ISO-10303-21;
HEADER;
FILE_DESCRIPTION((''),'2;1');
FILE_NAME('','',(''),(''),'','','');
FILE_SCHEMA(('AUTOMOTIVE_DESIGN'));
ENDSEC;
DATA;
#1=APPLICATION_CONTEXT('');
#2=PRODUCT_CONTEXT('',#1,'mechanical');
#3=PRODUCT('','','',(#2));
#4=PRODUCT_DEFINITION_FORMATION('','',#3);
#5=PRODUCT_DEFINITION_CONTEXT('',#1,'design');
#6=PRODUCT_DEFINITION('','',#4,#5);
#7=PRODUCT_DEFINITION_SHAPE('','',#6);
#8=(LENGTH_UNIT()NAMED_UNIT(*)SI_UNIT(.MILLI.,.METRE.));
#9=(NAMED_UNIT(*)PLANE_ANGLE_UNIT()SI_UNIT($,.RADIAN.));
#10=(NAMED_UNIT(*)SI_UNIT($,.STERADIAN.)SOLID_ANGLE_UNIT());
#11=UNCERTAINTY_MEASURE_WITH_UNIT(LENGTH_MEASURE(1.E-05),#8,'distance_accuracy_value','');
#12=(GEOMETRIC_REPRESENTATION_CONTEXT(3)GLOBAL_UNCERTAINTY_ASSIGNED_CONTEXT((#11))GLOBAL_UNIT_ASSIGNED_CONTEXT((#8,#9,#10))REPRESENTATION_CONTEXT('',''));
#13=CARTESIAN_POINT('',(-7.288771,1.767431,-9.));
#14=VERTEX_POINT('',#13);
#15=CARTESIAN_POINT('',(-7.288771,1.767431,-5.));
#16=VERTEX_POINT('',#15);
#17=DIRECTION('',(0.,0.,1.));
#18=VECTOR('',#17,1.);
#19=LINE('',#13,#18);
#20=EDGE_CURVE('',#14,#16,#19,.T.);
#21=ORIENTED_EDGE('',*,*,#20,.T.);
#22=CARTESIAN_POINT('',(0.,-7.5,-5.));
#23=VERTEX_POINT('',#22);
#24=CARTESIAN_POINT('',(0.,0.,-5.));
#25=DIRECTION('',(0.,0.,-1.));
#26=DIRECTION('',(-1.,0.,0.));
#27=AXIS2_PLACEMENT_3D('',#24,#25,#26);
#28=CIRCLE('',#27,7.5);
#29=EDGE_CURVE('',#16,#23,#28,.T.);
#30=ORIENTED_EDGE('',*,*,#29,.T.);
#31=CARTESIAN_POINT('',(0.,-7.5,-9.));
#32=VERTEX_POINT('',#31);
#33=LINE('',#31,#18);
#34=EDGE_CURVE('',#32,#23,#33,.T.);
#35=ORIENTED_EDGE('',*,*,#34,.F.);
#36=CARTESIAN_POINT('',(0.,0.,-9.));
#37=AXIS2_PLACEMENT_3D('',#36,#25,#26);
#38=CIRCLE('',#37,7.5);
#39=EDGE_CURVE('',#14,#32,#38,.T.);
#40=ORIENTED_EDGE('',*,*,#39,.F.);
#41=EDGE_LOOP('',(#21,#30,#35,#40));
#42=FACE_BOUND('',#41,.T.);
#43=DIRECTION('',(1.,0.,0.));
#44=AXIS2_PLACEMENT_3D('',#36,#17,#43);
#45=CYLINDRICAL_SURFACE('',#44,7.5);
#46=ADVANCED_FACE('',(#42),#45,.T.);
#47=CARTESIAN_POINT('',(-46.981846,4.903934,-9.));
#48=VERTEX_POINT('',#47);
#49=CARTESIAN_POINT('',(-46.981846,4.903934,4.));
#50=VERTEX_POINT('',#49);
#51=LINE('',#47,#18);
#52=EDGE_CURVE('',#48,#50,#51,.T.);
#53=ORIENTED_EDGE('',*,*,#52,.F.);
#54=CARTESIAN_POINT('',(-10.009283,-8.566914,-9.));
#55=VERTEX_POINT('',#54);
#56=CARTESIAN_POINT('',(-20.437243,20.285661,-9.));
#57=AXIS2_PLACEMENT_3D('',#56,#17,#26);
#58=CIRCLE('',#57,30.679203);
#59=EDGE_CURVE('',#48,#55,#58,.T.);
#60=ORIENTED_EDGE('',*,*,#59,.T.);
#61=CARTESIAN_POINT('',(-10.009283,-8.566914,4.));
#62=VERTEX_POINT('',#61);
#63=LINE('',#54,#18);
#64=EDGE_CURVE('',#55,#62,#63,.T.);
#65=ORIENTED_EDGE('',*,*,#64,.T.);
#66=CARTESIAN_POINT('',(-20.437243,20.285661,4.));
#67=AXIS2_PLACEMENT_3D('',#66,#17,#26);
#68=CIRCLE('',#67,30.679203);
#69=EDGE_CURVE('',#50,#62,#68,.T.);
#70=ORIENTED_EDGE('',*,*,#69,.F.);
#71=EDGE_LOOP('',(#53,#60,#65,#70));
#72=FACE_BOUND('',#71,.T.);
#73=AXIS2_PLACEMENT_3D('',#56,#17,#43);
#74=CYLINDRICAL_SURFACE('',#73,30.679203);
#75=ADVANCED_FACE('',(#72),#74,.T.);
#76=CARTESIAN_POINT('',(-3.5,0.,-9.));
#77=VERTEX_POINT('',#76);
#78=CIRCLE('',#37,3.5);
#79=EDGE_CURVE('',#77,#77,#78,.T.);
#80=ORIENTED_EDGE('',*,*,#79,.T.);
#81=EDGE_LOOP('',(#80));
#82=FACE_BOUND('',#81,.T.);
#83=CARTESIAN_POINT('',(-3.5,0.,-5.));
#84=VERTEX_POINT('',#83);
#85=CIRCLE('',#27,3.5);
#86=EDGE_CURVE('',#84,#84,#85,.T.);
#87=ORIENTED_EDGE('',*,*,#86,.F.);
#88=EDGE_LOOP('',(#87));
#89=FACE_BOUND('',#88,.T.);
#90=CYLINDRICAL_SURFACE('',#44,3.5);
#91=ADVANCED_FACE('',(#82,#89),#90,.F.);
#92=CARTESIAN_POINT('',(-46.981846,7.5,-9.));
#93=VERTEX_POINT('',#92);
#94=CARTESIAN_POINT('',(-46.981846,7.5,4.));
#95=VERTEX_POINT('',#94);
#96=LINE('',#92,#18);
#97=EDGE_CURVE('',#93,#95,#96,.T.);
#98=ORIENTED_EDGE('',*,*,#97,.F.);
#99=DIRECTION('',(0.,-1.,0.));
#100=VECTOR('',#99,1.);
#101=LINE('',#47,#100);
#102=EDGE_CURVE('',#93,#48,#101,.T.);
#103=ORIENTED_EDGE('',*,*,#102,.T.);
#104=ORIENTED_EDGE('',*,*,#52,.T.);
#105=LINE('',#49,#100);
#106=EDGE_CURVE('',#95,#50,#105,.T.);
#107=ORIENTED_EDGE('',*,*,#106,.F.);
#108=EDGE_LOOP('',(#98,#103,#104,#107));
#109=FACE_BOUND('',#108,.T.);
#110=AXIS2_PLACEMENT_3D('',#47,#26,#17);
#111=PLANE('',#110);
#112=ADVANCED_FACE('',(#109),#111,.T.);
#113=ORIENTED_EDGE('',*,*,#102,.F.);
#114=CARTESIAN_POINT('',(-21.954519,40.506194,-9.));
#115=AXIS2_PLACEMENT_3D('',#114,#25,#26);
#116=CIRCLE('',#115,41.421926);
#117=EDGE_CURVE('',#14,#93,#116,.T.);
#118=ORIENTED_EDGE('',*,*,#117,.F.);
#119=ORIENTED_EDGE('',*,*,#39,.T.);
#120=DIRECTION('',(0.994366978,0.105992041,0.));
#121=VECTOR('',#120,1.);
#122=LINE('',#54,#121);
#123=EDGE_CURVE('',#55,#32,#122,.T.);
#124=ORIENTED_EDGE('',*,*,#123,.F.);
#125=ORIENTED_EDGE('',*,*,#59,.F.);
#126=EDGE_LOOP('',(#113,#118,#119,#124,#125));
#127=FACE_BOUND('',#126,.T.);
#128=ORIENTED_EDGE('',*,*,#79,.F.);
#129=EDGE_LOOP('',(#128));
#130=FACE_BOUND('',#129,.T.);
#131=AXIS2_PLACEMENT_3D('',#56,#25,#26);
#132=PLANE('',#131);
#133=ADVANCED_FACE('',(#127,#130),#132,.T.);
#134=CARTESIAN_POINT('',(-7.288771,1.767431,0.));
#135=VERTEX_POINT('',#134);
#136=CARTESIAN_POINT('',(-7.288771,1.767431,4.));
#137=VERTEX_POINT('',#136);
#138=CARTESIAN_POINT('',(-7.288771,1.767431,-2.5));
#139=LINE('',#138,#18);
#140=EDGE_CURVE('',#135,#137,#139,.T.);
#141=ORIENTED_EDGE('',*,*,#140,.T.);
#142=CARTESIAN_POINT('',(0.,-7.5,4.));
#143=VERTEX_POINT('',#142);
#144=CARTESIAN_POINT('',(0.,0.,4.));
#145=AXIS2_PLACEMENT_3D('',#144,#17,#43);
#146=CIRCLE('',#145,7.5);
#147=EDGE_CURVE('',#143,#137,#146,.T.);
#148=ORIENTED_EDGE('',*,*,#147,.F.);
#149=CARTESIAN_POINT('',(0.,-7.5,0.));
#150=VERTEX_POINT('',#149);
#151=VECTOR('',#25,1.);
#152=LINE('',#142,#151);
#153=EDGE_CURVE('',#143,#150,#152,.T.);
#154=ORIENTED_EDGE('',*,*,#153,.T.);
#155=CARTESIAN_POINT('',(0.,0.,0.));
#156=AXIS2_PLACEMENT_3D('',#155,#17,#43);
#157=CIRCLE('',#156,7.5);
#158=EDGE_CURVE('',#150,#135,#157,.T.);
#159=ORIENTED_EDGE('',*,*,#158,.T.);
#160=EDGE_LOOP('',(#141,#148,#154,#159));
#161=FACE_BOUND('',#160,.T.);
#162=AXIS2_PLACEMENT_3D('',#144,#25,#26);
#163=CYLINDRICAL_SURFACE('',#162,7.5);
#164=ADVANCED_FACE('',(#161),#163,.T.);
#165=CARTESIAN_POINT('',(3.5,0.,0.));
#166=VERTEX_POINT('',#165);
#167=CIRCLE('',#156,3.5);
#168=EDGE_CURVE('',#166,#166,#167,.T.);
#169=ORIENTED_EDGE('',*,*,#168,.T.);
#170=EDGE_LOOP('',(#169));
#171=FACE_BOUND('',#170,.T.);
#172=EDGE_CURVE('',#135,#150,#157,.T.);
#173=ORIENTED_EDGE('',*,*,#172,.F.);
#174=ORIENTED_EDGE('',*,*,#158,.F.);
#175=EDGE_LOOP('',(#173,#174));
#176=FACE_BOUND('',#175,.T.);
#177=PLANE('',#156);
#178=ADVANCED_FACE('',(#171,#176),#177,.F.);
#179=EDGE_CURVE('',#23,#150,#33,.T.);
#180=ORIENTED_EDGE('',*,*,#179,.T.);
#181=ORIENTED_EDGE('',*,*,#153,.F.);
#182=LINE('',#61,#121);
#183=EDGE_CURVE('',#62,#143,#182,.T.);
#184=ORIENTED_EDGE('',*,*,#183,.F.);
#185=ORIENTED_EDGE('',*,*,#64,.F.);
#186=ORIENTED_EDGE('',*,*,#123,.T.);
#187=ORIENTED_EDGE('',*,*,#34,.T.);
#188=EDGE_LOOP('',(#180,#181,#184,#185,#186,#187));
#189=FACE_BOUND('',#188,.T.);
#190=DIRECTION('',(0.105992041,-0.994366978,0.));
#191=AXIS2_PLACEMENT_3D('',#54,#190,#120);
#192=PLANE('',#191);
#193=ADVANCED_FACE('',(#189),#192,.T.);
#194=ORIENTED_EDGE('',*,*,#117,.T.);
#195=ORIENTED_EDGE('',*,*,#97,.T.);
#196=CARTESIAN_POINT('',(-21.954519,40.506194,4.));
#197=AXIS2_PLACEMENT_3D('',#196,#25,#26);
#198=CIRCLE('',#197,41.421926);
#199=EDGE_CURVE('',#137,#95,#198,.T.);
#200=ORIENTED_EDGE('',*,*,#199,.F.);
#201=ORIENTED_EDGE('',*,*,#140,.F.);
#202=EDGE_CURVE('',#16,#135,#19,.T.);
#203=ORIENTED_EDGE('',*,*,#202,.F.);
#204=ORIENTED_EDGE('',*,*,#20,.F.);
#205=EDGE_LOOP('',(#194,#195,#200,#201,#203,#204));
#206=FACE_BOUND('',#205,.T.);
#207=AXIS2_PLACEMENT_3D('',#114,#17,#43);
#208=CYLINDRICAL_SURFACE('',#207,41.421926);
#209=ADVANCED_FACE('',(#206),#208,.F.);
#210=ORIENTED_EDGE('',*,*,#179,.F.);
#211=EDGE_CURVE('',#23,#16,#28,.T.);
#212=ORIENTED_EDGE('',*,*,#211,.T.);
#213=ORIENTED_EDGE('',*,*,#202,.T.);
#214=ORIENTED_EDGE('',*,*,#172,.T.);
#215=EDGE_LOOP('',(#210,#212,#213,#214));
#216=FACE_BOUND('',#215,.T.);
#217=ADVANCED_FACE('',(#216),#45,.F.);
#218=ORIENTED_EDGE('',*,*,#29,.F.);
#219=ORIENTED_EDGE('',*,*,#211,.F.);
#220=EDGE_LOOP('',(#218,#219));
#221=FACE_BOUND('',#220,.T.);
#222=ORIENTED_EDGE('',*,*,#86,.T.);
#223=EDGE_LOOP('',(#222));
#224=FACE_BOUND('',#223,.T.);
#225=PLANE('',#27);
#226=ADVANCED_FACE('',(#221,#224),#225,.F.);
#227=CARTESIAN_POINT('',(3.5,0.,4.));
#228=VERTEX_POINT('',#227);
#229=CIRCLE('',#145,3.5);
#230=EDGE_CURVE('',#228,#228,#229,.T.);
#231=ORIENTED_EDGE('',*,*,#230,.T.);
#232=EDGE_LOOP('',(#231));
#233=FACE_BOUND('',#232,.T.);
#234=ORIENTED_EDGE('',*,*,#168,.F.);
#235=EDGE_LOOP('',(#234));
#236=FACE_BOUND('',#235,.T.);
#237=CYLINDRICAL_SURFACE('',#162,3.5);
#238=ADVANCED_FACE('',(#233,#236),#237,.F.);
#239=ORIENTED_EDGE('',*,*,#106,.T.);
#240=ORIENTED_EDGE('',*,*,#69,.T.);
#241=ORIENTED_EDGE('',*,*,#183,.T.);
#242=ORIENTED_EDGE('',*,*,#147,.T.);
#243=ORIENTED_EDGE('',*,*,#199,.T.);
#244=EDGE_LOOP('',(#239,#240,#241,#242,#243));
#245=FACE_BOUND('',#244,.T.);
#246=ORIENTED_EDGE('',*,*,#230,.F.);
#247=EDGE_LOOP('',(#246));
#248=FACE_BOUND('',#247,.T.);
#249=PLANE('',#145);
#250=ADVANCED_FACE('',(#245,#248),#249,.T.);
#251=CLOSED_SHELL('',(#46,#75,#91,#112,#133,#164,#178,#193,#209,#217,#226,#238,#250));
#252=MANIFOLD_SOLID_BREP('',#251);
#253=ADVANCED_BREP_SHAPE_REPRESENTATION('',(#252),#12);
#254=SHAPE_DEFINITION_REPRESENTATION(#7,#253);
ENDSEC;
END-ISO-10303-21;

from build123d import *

# Parameters (mm, degrees)
CROQUIS1_R              = 7.5
CROQUIS1_R_2            = 3.5
SALIENTE_EXTRUIR1_DEPTH = 4
CROQUIS2_R              = 2.193779366
SALIENTE_EXTRUIR2_DEPTH = 5
CROQUIS3_R              = 7.5
CROQUIS3_R_2            = 3.5
SALIENTE_EXTRUIR3_DEPTH = 4
CROQUIS4_R              = 2.193779366
CORTAR_EXTRUIR1_DEPTH   = 14
SALIENTE_EXTRUIR4_DEPTH = 13


with BuildPart() as part:
    # Croquis1 → Saliente-Extruir1 (new body)
    with BuildSketch(Plane.XY):
        Circle(CROQUIS1_R)
        Circle(CROQUIS1_R_2, mode=Mode.SUBTRACT)
    extrude(amount=SALIENTE_EXTRUIR1_DEPTH)



with BuildPart() as body_2:
    # Croquis2 → Saliente-Extruir2 (new body)
    with BuildSketch(Plane(origin=(0, 0, 0), x_dir=(-1, 0, 0), z_dir=(0, 0, -1))):
        Circle(CROQUIS2_R)
    extrude(amount=SALIENTE_EXTRUIR2_DEPTH)

    # Croquis4 → Cortar-Extruir1 (cut)
    with BuildSketch(Plane(origin=(0, 0, -5), x_dir=(-1, 0, 0), z_dir=(0, 0, -1))):
        Circle(CROQUIS4_R)
    extrude(amount=-CORTAR_EXTRUIR1_DEPTH, mode=Mode.SUBTRACT)


with BuildPart() as body_3:
    # Croquis3 → Saliente-Extruir3 (new body)
    with BuildSketch(Plane(origin=(0, 0, -5), x_dir=(-1, 0, 0), z_dir=(0, 0, -1))):
        Circle(CROQUIS3_R)
        Circle(CROQUIS3_R_2, mode=Mode.SUBTRACT)
    extrude(amount=SALIENTE_EXTRUIR3_DEPTH)


with BuildPart() as part_1:
    add(part.part)

    add(body_3.part)  # Saliente-Extruir4 merges body 3
    # Croquis5 → Saliente-Extruir4 (add)
    with BuildSketch(Plane.XY.offset(4)):
        with BuildLine():
            Line((-10.009282788, -8.566914266), (0, -7.5))
            ThreePointArc((0, -7.5), (-5.895156044, -4.636500319), (-7.288771435, 1.76743061))
            ThreePointArc((-7.288771435, 1.76743061), (-27.875344012, -0.49038836), (-46.981845806, 7.5))
            Line((-46.981845806, 7.5), (-46.981845806, 4.90393409))
            ThreePointArc((-46.981845806, 4.90393409), (-30.939741801, -8.539865418), (-10.009282788, -8.566914266))
        make_face()
    extrude(amount=-SALIENTE_EXTRUIR4_DEPTH)


solid = part_1.part
